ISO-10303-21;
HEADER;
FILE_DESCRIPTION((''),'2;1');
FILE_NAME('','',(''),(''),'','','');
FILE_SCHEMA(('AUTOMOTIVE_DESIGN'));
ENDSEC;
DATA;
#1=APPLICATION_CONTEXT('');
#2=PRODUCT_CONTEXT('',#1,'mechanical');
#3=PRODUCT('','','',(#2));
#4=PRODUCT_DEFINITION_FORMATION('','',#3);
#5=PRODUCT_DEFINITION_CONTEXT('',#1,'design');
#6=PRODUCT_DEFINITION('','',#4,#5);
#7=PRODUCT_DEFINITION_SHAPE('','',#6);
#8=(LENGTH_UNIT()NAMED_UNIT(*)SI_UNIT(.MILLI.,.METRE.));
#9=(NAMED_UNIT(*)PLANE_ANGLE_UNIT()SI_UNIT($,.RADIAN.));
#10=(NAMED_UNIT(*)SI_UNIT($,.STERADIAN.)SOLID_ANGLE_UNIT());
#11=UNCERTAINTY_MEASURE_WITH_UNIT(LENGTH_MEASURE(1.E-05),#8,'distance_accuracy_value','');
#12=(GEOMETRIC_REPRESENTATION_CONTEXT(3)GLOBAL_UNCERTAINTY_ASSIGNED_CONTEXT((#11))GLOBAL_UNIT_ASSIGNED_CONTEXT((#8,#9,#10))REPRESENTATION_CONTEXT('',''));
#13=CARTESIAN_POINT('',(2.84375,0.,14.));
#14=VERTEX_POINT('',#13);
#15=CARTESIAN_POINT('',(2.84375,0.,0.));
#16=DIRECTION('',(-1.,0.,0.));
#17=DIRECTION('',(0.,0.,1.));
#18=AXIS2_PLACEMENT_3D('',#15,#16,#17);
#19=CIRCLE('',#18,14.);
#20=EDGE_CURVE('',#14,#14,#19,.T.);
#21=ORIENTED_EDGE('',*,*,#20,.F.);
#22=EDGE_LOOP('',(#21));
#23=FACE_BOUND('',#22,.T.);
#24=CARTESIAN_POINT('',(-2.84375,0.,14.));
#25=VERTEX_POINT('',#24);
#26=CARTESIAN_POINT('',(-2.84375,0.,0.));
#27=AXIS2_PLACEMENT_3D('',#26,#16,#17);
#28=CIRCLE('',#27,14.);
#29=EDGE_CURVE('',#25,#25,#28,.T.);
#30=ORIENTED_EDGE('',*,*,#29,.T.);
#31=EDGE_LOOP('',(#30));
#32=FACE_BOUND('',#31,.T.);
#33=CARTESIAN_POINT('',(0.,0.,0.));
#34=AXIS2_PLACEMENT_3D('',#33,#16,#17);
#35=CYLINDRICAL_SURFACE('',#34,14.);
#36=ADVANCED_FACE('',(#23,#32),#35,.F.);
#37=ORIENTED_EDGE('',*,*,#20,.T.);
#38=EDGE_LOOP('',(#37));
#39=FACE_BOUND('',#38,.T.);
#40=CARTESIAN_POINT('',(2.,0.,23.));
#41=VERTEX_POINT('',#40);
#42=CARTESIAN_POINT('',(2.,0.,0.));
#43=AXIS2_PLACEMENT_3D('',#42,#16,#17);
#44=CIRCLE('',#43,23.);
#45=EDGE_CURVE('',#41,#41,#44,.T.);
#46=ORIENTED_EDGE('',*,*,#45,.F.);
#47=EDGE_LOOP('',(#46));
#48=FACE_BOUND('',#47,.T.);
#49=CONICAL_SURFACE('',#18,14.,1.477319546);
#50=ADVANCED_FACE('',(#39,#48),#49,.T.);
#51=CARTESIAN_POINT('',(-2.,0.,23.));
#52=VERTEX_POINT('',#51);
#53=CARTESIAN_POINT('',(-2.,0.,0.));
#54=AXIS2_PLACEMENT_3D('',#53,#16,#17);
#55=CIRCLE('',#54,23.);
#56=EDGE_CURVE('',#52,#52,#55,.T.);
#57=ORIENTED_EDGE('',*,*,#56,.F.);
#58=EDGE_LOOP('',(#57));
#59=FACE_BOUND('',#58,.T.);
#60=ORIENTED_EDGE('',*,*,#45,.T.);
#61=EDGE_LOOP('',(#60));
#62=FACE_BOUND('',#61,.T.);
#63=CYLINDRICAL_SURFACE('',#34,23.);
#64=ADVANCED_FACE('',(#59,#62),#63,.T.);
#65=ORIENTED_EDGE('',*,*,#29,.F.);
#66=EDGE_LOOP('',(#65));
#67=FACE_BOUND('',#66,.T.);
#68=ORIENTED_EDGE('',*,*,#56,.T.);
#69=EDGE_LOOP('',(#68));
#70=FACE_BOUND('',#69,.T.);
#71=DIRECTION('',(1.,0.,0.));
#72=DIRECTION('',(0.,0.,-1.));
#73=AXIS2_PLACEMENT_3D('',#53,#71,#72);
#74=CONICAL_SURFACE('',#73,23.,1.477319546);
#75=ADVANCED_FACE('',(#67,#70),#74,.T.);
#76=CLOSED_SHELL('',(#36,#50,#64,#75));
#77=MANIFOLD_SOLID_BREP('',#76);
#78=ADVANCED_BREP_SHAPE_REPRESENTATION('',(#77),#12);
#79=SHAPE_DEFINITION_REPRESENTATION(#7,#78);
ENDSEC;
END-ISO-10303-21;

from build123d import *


with BuildPart() as part:
    # 草图1 → 旋转1 (revolve)
    with BuildSketch(Plane.XY, mode=Mode.PRIVATE) as revolve_1_sk:
        Polygon((-2, 23), (2, 23), (2.84375, 14), (-2.84375, 14), align=None)
    revolve(revolve_1_sk.sketch.rotate(Axis((0, 0, 0), (1, 0, 0)), 90), axis=Axis((0, 0, 0), (1, 0, 0)))


solid = part.part
